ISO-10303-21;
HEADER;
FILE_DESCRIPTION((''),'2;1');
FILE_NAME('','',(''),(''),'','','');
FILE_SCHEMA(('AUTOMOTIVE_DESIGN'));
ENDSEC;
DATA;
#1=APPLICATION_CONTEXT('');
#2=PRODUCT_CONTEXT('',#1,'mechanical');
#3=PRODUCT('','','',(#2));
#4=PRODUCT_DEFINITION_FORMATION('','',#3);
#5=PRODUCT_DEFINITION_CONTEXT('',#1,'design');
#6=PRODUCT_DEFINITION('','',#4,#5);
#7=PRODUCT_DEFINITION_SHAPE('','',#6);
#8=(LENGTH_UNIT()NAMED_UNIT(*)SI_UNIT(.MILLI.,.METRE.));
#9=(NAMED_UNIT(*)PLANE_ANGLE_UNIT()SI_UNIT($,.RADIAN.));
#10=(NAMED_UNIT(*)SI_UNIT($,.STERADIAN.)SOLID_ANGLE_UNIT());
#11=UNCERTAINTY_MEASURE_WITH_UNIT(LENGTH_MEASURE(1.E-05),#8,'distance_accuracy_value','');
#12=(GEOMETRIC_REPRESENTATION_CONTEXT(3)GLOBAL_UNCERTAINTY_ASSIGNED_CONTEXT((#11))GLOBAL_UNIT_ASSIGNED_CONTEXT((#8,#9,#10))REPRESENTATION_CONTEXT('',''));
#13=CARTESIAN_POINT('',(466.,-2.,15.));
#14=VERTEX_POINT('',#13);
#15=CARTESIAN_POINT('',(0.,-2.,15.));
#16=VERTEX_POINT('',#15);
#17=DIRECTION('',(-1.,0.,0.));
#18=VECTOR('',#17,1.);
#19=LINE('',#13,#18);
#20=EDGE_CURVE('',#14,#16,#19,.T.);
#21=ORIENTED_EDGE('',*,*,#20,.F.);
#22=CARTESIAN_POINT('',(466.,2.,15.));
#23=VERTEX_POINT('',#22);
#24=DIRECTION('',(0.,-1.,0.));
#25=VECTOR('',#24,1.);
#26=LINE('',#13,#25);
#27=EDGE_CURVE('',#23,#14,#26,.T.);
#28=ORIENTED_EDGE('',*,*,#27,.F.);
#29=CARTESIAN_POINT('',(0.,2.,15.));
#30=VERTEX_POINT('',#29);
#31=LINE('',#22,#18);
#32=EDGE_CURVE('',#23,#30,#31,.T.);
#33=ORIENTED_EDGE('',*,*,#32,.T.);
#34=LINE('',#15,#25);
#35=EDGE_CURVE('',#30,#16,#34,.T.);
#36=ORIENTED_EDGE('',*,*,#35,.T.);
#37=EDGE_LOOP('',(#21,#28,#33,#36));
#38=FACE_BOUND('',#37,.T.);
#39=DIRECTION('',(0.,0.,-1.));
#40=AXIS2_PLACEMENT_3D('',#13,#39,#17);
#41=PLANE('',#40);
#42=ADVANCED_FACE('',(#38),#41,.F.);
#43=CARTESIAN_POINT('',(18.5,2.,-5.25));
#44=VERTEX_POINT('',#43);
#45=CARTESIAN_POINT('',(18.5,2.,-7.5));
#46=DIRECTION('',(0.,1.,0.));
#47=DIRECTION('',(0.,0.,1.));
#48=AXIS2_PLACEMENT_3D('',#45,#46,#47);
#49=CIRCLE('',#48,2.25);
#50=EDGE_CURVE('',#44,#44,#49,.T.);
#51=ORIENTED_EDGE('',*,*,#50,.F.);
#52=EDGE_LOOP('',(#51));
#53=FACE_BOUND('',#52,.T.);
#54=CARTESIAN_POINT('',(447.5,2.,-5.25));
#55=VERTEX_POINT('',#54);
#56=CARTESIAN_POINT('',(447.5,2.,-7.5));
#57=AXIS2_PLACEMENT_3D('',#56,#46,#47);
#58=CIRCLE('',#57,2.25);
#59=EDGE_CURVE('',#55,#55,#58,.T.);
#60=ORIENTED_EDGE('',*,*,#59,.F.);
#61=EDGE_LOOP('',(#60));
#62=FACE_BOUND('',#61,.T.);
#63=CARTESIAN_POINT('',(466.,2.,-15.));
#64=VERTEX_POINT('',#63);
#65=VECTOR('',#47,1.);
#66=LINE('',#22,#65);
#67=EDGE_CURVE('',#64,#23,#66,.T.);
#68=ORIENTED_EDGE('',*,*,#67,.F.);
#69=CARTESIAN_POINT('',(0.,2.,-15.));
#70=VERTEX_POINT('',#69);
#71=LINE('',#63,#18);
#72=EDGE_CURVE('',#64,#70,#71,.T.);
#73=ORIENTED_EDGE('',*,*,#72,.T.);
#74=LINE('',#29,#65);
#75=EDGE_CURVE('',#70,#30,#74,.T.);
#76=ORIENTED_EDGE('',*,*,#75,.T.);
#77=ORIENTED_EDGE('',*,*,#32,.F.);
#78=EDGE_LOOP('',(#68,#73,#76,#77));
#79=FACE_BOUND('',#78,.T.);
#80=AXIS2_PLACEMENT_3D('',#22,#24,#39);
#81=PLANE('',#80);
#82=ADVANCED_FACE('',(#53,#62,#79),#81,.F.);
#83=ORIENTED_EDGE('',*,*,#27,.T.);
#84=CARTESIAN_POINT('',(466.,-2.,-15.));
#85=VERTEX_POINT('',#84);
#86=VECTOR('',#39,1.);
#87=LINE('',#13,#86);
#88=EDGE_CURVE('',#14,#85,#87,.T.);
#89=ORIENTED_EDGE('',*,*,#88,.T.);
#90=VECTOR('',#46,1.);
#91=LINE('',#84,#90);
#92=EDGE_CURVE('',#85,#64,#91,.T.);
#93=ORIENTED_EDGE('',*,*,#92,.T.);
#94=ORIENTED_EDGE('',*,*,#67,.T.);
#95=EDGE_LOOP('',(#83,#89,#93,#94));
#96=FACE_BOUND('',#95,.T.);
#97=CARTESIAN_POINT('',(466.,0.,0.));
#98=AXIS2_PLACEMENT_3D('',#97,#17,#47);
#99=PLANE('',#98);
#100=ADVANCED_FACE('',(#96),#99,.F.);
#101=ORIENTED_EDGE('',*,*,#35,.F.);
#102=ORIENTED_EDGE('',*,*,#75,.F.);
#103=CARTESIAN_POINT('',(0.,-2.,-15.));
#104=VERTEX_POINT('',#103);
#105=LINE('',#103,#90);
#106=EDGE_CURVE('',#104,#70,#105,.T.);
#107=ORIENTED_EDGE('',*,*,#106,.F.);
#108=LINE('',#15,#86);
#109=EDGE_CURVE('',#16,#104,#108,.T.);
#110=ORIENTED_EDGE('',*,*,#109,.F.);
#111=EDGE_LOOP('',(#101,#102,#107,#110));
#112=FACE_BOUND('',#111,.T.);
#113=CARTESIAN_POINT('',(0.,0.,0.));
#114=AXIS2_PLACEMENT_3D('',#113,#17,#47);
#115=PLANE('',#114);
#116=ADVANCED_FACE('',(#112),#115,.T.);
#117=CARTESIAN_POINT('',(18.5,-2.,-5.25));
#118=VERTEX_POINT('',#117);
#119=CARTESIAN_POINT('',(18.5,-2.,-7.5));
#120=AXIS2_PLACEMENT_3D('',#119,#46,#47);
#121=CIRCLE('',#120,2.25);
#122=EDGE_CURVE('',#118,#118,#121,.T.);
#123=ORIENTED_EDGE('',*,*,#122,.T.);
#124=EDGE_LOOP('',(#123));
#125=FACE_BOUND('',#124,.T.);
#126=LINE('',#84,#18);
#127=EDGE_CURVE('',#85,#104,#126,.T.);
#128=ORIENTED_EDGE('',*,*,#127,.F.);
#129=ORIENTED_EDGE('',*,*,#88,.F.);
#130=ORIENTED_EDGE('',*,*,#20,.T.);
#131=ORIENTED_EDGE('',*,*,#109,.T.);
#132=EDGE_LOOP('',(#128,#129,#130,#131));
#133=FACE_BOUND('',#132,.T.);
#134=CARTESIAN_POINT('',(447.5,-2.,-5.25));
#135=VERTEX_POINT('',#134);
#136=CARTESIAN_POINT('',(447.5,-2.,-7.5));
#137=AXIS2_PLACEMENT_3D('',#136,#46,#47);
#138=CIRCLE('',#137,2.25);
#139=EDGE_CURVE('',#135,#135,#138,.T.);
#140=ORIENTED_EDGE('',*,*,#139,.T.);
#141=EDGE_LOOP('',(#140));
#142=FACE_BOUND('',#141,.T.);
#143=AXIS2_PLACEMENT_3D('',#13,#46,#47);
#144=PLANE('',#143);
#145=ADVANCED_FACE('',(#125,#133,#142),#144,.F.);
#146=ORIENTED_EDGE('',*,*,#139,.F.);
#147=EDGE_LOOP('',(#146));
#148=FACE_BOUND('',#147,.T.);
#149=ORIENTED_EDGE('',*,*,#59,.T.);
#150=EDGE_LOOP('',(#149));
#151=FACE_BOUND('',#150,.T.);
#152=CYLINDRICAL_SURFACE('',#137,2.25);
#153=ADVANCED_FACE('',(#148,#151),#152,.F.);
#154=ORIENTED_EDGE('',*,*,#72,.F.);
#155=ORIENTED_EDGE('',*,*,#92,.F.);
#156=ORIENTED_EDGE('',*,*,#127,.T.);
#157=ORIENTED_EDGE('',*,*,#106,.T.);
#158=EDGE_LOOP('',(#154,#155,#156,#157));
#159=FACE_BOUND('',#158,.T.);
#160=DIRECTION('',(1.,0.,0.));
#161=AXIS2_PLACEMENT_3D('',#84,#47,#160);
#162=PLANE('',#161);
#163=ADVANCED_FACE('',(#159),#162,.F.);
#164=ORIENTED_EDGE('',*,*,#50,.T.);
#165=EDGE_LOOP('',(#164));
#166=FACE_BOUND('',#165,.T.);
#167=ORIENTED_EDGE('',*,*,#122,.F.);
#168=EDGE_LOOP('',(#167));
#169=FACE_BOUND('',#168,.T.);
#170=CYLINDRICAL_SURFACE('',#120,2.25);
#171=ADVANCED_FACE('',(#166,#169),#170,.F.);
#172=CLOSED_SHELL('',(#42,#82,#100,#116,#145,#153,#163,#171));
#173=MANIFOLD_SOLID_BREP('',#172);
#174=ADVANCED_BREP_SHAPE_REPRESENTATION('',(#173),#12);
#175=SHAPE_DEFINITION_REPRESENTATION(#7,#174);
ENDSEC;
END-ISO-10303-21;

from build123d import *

# Parameters (mm, degrees)
SKETCH_1_W          = 30
SKETCH_1_H          = 4
EXTRUDE_1_DEPTH     = 466
SKETCH_2_R          = 2.25
CUT_EXTRUDE_1_DEPTH = 5


with BuildPart() as part:
    # Эскиз1 → Бобышка-Вытянуть1 (new body)
    with BuildSketch(Plane(origin=(0, 0, 0), x_dir=(0, 0, -1), z_dir=(1, 0, 0))):
        Rectangle(SKETCH_1_W, SKETCH_1_H)
    extrude(amount=EXTRUDE_1_DEPTH)

    # Эскиз2 → Вырез-Вытянуть1 (cut, through all)
    with BuildSketch(Plane(origin=(0, 2, 0), x_dir=(1, 0, 0), z_dir=(0, 1, 0))):
        with Locations((18.5, 7.5)):
            Circle(SKETCH_2_R)
        with Locations((447.5, 7.5)):
            Circle(SKETCH_2_R)
    extrude(amount=-CUT_EXTRUDE_1_DEPTH, mode=Mode.SUBTRACT)


solid = part.part
